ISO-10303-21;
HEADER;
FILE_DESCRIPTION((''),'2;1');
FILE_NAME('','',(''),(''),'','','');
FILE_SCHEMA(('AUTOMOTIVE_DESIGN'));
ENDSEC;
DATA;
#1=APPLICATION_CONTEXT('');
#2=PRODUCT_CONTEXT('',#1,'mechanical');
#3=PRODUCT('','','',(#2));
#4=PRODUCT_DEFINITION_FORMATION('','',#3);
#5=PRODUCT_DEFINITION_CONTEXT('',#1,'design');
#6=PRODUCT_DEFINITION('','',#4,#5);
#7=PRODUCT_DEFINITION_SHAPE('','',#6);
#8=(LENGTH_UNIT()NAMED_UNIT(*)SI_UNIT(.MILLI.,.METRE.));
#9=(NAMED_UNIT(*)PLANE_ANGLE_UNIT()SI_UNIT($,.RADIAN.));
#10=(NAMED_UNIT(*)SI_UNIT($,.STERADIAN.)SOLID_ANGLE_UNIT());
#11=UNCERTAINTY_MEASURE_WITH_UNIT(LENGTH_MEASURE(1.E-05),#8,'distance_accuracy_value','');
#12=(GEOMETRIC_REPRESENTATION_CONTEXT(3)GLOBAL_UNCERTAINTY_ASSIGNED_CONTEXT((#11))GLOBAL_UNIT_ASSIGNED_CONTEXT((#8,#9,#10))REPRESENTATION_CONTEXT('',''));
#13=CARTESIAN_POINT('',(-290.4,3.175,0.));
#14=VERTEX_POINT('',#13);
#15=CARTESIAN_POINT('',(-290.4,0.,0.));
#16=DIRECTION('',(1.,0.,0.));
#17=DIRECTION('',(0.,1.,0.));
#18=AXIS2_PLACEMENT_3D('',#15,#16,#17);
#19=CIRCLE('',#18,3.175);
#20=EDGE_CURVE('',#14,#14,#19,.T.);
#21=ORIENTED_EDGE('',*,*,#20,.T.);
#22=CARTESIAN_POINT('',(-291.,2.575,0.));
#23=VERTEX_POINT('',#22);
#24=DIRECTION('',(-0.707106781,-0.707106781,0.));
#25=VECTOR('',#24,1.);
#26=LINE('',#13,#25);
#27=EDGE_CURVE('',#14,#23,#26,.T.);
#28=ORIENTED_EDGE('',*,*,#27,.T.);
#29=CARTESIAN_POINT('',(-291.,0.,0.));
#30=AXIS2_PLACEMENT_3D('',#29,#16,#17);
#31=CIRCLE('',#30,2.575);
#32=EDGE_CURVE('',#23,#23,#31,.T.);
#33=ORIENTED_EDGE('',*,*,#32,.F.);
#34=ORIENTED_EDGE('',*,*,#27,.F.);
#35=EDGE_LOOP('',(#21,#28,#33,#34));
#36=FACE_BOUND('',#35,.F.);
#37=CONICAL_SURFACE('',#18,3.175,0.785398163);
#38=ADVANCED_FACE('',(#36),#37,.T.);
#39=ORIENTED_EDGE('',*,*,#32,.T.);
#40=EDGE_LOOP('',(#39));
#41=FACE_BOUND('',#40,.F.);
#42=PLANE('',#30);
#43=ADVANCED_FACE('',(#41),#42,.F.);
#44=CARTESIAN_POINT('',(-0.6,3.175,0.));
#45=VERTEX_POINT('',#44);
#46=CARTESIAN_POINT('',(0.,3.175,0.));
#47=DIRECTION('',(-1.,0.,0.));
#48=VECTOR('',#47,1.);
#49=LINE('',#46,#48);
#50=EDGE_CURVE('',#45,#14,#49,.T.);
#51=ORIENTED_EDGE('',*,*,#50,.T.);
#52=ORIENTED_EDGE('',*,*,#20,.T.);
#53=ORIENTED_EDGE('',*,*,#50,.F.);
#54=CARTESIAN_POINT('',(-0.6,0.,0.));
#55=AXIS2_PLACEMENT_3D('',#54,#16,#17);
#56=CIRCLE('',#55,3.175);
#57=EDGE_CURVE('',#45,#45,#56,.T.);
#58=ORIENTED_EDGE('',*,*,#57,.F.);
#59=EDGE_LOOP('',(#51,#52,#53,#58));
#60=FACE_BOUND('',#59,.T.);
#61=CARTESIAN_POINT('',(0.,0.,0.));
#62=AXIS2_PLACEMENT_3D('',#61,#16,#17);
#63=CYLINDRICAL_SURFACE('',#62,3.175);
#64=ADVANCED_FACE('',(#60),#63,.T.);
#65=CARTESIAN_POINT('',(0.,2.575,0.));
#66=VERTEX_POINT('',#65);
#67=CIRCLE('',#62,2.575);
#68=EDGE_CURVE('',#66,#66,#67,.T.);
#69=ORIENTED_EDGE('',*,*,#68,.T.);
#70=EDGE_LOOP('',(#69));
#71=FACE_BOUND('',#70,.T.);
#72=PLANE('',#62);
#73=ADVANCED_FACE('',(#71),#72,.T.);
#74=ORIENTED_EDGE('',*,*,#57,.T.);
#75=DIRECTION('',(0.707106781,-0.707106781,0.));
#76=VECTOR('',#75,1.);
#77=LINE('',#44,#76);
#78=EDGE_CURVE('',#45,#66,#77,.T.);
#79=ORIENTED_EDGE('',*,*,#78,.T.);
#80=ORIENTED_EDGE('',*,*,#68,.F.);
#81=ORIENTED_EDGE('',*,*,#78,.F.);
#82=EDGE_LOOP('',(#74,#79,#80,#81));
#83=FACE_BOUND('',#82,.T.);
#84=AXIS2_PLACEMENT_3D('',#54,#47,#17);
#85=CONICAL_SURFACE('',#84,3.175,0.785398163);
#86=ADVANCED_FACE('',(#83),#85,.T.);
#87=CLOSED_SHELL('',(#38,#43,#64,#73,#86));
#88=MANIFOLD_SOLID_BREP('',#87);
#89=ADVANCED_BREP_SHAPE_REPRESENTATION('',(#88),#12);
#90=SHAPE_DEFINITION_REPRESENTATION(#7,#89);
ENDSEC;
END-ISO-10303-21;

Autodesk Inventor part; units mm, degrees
ref_plane "YZ Plane" through (0, 0, 0) normal (1, 0, 0) x (0, 1, 0)
ref_plane "XZ Plane" through (0, 0, 0) normal (0, 1, 0) x (-1, 0, 0)
ref_plane "XY Plane" through (0, 0, 0) normal (0, 0, 1) x (1, 0, 0)
sketch "Sketch1" plane through (0, 0, 0) normal (1, 0, 0) x (0, 1, 0)
  circle A0 centre (0, 0) radius 3.175
  dimension "d0" = 6.35
extrude "Extrusion1" add sketch "Sketch1" against normal blind 291
chamfer "Chamfer1" distance 0.6 angle 45 2 edges at (0, -3.175, 0) (-291, -3.175, 0)
properties part number "M6.35 x 291mm Aluminum Rod"
